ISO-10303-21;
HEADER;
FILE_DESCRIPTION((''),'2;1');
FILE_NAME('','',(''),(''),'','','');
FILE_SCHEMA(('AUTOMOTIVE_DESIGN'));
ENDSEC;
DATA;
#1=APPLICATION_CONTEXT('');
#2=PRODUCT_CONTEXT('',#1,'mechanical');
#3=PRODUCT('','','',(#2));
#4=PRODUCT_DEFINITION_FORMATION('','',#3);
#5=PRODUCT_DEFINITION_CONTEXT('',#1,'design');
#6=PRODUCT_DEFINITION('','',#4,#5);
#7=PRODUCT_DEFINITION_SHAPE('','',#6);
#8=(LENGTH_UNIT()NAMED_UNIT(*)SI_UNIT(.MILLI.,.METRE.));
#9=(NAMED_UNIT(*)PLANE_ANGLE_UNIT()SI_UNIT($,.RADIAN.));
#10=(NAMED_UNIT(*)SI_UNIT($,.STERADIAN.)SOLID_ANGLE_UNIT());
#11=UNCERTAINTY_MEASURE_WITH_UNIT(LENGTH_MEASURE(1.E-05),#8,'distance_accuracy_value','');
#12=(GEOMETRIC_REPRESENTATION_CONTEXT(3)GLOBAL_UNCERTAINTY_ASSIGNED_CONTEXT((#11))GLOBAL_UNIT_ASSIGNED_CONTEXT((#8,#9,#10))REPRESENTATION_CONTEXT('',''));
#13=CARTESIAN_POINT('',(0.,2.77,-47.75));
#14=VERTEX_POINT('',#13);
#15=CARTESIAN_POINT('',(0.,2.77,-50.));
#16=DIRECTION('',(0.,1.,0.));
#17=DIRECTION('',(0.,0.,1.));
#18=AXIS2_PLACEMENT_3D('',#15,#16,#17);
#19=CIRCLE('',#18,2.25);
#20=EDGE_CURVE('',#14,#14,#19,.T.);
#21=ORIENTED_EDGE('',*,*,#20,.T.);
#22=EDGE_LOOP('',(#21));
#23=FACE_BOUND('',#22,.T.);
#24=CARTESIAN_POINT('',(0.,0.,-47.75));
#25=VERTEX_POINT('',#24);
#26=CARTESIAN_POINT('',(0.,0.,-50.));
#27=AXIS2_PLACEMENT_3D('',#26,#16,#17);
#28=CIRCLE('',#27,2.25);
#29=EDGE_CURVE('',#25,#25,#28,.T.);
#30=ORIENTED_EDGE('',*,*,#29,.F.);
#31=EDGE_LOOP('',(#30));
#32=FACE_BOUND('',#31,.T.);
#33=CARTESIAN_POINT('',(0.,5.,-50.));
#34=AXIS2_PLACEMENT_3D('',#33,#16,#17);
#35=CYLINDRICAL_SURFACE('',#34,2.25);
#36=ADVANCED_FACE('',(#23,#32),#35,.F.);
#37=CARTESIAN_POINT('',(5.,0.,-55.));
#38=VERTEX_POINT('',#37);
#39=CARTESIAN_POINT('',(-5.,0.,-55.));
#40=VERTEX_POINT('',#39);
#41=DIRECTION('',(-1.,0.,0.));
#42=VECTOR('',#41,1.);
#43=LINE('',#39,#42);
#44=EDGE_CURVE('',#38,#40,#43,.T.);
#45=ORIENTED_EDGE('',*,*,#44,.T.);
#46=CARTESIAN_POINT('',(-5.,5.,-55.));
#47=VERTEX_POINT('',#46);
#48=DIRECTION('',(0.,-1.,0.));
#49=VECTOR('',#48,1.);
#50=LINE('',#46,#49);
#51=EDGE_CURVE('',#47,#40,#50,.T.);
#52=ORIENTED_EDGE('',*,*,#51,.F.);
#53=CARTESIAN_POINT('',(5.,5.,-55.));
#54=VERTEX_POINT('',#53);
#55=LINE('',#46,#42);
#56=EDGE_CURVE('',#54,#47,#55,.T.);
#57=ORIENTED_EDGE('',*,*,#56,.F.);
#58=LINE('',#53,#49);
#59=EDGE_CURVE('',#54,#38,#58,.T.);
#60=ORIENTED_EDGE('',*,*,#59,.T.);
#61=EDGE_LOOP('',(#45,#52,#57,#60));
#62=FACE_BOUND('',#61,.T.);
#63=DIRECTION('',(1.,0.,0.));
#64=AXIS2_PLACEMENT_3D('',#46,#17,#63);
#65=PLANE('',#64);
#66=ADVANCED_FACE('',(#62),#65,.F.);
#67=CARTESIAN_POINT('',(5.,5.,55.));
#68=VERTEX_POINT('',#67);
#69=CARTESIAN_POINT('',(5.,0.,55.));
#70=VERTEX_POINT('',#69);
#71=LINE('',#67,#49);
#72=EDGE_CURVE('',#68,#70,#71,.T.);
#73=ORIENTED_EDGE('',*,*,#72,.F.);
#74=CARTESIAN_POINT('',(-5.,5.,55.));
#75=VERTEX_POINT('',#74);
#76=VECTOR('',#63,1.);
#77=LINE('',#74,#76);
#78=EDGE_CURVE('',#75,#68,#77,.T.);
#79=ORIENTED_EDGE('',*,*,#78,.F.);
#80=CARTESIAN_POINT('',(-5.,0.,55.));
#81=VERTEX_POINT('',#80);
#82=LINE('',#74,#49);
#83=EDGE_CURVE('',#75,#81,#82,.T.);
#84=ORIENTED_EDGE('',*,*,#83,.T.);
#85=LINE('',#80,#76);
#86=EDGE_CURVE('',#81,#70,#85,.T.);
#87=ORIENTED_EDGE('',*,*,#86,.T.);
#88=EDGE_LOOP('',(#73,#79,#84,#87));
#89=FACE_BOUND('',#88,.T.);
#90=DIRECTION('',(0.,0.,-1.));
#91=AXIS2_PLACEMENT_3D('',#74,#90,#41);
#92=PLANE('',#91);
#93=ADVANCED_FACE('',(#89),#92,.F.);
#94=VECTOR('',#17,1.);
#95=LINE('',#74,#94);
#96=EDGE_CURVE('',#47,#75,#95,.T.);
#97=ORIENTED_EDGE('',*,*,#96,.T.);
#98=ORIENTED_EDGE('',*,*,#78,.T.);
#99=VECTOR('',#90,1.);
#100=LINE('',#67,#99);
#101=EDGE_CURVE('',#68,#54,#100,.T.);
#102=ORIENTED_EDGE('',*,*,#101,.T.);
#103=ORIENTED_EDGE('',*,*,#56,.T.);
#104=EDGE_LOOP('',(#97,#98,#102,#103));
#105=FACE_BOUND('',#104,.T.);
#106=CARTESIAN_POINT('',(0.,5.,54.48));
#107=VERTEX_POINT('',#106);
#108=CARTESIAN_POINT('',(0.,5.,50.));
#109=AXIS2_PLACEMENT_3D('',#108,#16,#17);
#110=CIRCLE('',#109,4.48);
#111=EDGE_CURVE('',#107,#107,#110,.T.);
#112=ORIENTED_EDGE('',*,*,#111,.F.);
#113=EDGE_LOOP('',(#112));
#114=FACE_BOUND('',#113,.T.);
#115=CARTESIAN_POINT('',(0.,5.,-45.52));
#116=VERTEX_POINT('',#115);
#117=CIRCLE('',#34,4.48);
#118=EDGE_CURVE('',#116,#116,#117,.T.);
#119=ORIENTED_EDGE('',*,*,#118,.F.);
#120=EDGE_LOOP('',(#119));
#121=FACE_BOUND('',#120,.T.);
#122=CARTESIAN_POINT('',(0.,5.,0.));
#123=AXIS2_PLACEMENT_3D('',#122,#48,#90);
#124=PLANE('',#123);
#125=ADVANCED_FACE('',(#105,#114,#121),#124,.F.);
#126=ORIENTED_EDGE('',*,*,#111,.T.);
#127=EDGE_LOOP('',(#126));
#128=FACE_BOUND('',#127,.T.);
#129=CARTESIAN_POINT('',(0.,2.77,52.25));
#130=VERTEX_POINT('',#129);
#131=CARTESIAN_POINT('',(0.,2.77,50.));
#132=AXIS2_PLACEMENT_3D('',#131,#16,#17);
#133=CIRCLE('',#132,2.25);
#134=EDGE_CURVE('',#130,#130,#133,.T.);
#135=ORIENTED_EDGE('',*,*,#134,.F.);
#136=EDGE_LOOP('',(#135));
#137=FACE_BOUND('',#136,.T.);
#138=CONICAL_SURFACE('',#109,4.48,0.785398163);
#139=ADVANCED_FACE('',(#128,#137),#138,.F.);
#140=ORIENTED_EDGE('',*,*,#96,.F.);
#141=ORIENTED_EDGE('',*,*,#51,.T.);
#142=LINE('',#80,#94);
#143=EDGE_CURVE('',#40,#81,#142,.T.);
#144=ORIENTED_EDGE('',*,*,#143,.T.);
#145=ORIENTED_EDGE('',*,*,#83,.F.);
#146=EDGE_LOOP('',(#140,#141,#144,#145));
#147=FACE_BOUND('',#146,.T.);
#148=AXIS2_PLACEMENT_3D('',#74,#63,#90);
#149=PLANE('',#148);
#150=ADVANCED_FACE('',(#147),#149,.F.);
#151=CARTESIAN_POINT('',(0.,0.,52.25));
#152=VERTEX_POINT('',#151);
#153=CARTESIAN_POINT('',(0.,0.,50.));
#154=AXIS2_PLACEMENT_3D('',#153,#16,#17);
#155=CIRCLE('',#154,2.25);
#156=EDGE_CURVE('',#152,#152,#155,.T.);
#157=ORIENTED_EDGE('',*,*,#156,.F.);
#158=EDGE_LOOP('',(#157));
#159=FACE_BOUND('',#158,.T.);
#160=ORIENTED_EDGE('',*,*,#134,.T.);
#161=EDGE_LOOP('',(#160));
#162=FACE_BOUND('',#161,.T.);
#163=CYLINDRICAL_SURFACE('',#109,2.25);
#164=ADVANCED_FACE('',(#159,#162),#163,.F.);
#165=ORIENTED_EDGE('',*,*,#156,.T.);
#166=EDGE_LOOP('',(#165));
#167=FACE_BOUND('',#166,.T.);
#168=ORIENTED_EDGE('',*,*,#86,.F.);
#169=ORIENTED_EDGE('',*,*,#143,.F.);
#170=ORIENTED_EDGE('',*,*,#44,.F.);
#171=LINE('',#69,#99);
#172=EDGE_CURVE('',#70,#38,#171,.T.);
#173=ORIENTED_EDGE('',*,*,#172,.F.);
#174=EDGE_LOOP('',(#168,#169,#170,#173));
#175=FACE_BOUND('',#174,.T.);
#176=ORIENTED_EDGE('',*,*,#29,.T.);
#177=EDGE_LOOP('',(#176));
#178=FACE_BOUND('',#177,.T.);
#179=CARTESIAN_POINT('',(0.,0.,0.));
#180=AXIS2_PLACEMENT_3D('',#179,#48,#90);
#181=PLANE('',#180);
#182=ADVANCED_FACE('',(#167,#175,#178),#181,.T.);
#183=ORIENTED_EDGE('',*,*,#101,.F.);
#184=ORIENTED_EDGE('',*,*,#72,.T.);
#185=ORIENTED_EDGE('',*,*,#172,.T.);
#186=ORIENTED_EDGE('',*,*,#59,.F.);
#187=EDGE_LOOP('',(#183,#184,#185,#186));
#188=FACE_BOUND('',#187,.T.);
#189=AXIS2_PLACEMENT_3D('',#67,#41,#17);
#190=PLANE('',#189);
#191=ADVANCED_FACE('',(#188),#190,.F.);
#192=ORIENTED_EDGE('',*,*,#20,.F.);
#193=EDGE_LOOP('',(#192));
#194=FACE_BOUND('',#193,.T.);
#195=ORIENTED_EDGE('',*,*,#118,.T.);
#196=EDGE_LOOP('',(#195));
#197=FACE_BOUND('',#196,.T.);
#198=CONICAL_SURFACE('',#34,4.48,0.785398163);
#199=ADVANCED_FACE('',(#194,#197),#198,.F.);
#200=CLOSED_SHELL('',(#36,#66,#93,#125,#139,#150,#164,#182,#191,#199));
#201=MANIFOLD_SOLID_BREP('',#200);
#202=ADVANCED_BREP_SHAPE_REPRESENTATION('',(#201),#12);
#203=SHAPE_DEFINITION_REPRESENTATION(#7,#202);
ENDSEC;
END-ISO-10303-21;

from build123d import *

# Parameters (mm, degrees)
SKETCH1_W                     = 10
SKETCH1_H                     = 110
BOSS_EXTRUDE1_DEPTH           = 5
CSK_FOR_M4_SFHCS1_D           = 4.5
CSK_FOR_M4_SFHCS1_CSINK_D     = 8.96
CSK_FOR_M4_SFHCS1_CSINK_ANGLE = 90


with BuildPart() as part:
    # Sketch1 → Boss-Extrude1 (new body)
    with BuildSketch(Plane(origin=(0, 0, 0), x_dir=(1, 0, 0), z_dir=(0, 1, 0))):
        Rectangle(SKETCH1_W, SKETCH1_H)
    extrude(amount=BOSS_EXTRUDE1_DEPTH)

    # CSK for M4 SFHCS1 (through all)
    with Locations(Plane(origin=(0, 5, 0), x_dir=(1, 0, 0), z_dir=(0, 1, 0))):
        with Locations((0, -50), (0, 50)):
            CounterSinkHole(CSK_FOR_M4_SFHCS1_D / 2, CSK_FOR_M4_SFHCS1_CSINK_D / 2, counter_sink_angle=CSK_FOR_M4_SFHCS1_CSINK_ANGLE)


solid = part.part
